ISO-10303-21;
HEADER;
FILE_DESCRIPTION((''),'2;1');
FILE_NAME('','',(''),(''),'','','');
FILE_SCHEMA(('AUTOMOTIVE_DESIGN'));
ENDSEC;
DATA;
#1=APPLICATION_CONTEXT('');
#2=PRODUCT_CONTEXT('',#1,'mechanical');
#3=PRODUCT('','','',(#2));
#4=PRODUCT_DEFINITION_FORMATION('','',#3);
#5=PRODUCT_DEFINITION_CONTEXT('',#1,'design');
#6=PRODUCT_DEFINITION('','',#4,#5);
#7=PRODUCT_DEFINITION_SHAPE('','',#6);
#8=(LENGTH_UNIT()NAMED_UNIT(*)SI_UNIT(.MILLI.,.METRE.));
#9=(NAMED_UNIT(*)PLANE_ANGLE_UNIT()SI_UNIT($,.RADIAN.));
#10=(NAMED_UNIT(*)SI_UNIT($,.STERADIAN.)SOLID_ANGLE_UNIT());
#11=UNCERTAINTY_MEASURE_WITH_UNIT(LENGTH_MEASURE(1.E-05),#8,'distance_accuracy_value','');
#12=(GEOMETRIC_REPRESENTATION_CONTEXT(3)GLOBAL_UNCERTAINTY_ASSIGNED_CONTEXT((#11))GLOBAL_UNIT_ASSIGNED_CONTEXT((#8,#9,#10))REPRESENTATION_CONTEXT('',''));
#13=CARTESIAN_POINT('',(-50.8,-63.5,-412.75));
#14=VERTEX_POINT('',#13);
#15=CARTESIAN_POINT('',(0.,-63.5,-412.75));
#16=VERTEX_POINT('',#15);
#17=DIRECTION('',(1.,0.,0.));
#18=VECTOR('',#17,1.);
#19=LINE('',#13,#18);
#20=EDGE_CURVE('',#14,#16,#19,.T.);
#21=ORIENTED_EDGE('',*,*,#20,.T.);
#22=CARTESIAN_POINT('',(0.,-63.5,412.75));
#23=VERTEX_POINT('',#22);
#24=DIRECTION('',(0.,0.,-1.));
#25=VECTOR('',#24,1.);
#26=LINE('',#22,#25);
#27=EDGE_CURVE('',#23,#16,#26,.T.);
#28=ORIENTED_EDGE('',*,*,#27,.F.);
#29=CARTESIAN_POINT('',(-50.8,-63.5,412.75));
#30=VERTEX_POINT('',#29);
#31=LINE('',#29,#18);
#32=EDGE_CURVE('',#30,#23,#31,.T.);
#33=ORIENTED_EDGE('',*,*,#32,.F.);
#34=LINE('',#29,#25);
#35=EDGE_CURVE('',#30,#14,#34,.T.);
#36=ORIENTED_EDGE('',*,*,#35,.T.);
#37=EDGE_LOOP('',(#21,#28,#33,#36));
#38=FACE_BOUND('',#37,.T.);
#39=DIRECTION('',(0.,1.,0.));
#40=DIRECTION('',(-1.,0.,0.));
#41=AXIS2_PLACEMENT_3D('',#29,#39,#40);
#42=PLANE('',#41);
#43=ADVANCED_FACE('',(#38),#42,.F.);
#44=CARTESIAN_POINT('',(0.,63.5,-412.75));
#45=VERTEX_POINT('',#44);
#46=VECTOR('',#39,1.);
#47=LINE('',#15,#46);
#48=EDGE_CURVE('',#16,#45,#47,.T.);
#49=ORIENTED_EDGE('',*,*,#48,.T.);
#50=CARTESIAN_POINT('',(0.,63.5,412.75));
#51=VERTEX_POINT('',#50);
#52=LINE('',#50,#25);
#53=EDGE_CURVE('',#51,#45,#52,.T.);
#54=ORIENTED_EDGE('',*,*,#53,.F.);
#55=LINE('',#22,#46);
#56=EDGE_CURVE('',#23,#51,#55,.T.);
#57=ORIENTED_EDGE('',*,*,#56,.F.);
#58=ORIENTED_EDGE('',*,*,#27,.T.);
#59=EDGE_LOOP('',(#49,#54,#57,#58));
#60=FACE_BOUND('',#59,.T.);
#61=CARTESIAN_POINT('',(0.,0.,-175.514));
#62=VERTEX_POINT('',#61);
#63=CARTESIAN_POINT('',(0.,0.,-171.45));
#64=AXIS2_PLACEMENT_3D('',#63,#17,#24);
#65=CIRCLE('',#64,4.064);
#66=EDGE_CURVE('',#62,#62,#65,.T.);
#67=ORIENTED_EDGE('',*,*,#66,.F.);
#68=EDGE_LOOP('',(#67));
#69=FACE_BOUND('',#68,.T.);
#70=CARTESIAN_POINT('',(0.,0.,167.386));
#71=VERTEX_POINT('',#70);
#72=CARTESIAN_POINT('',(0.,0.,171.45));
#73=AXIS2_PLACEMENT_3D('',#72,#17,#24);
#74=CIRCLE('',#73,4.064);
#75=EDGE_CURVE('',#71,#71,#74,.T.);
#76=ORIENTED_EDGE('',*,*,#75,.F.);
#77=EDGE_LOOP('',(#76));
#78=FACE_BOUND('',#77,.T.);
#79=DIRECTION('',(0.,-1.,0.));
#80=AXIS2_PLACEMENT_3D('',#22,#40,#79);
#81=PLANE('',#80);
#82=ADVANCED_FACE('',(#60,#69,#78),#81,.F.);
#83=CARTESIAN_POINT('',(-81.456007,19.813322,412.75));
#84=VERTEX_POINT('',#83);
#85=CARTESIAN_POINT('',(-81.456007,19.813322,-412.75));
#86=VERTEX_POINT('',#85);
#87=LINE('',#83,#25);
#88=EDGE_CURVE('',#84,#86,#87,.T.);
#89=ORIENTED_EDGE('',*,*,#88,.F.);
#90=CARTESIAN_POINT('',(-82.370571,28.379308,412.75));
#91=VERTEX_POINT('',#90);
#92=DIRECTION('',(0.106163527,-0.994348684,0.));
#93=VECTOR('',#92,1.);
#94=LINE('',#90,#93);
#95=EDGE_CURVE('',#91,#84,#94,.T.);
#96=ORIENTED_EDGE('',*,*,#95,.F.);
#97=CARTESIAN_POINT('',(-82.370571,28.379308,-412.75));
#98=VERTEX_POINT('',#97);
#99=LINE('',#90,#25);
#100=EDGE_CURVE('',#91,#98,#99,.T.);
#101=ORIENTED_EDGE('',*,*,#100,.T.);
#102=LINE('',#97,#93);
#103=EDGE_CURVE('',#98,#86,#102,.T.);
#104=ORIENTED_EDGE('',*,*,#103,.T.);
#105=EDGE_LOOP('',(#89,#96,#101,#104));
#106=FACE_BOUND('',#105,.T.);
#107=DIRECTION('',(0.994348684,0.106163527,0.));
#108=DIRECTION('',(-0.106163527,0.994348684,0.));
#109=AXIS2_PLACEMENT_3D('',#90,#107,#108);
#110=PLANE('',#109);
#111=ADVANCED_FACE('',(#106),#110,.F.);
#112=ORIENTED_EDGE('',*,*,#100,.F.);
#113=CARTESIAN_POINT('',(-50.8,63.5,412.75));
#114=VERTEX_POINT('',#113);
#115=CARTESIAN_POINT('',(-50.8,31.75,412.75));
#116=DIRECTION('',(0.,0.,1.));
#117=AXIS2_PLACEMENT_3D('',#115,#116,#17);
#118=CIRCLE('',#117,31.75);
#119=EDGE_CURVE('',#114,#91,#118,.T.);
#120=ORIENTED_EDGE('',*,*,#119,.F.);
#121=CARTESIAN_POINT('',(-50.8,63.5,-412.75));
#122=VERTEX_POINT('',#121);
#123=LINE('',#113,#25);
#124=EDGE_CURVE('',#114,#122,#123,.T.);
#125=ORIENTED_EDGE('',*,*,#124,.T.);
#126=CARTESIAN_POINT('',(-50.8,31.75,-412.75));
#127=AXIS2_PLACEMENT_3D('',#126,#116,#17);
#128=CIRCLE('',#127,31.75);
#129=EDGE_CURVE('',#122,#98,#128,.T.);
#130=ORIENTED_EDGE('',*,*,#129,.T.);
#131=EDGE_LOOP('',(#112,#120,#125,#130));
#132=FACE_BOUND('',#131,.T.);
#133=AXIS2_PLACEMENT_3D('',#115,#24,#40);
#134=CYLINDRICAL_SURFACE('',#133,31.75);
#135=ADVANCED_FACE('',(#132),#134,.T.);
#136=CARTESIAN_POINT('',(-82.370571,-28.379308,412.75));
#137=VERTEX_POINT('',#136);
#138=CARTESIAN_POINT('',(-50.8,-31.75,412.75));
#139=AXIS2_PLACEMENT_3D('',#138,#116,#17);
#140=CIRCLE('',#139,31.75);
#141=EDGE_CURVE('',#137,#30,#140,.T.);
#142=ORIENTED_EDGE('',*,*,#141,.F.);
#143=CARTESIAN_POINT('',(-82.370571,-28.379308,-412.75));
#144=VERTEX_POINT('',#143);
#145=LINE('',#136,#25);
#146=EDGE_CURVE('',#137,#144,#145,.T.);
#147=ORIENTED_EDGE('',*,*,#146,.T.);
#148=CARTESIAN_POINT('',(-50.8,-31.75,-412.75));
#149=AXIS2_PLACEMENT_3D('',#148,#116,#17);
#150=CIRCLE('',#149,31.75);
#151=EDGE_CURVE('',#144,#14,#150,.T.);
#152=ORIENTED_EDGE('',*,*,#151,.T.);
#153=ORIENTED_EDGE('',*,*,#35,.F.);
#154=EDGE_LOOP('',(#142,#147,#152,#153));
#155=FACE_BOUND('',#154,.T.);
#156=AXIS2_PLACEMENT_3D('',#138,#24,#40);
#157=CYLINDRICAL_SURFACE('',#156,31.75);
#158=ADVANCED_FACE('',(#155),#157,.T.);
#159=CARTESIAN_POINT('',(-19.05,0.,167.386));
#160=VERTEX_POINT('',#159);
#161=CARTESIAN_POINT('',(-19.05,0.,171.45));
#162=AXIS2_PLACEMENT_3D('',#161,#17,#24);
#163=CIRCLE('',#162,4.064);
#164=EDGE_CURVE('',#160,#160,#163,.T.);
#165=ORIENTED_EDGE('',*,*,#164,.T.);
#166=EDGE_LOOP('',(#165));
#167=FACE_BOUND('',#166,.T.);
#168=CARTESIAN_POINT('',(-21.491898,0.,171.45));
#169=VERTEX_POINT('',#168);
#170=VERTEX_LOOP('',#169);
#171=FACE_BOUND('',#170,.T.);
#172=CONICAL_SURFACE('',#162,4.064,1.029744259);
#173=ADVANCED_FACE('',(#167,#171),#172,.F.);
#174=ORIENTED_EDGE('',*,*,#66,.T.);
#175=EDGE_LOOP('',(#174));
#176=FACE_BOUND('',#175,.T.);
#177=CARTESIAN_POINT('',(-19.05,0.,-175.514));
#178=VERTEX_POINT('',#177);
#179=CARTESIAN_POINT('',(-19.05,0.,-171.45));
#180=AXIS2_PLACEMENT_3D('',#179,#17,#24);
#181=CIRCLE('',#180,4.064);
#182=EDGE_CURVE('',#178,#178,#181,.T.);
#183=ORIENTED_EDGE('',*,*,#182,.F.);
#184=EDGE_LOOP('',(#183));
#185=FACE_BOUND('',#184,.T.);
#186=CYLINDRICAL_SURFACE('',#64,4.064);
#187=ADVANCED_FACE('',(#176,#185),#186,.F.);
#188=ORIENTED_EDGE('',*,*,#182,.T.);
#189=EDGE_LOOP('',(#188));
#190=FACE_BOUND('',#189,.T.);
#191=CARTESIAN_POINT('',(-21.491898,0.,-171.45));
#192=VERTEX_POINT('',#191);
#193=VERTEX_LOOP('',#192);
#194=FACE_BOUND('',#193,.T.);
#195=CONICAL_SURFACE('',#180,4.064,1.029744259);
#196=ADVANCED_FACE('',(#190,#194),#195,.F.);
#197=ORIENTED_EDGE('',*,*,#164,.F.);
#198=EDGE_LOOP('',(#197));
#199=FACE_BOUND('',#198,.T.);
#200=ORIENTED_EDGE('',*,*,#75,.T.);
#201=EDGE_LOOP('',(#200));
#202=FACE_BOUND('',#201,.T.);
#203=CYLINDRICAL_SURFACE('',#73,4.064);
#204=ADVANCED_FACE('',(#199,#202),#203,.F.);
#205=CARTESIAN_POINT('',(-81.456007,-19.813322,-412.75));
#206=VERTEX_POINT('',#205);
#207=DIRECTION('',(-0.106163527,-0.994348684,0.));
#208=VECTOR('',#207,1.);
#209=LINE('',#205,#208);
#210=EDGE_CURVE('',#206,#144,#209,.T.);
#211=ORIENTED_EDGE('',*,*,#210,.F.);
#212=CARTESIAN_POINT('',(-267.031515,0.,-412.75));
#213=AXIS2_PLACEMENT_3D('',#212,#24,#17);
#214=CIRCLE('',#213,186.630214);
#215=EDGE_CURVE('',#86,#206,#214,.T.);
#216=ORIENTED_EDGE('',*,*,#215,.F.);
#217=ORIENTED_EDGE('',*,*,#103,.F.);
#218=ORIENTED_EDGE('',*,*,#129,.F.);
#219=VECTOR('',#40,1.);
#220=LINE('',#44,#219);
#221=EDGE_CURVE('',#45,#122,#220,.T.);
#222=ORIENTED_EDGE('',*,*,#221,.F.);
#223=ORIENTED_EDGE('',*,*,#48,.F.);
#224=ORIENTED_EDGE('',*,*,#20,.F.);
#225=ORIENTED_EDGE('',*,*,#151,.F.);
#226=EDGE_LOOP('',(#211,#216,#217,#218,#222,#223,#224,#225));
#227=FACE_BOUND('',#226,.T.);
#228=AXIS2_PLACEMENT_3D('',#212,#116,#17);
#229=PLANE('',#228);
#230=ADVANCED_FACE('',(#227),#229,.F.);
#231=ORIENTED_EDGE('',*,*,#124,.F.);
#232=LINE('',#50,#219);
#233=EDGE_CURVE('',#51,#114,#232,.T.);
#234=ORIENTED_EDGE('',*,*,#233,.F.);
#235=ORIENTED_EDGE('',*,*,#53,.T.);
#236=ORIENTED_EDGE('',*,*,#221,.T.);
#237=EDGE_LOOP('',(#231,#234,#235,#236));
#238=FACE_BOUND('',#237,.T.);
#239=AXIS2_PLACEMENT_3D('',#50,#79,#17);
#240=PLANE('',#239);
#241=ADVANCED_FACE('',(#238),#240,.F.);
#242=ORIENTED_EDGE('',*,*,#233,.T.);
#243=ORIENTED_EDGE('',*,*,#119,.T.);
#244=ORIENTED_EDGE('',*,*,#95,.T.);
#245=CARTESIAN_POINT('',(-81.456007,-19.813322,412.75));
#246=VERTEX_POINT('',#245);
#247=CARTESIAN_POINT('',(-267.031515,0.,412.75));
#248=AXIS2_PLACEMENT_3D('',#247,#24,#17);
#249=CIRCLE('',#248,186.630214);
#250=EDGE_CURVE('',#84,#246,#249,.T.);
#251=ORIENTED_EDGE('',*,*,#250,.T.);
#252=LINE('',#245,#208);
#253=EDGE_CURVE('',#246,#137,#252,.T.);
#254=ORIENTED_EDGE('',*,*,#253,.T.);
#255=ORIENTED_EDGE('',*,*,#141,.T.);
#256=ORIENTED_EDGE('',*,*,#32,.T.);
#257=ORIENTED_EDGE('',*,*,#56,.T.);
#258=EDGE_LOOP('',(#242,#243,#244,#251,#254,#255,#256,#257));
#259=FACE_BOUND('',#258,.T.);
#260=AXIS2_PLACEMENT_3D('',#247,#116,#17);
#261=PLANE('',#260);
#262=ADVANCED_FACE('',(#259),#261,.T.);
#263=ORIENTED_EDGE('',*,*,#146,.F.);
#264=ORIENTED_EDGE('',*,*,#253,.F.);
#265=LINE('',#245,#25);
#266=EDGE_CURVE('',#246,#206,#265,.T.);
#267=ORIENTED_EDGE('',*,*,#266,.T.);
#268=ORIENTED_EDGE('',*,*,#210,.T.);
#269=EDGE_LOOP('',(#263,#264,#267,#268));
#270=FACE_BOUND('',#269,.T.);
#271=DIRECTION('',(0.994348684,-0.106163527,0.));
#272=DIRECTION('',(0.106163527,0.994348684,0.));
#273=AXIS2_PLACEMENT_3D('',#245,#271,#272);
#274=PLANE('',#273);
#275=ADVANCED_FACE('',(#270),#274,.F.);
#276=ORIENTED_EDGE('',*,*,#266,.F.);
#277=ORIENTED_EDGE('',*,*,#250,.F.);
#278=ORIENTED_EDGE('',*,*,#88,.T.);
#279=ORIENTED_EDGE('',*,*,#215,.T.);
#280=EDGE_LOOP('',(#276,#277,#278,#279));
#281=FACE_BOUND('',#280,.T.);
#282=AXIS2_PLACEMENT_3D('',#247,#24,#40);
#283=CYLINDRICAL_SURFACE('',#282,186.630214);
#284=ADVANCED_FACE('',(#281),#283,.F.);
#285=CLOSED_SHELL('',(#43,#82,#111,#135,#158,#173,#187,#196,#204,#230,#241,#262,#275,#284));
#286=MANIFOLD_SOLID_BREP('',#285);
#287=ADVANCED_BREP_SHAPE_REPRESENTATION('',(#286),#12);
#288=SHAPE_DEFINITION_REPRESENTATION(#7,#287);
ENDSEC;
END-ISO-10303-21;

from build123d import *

# Parameters (mm, degrees)
EXTRUDE1_DEPTH               = 412.75
A_0_234_DIAMETER_HOLE1_D     = 8.128
A_0_234_DIAMETER_HOLE1_DEPTH = 19.05
A_0_234_DIAMETER_HOLE1_TIP   = 2.441897556


with BuildPart() as part:
    # Sketch1 → Extrude1 (new, symmetric)
    with BuildSketch(Plane.XY):
        with BuildLine():
            Line((-81.45600692, -19.8133218), (-82.370570719, -28.379308014))
            ThreePointArc((-82.370570719, -28.379308014), (-74.412305802, -52.975492096), (-50.8, -63.5))
            Line((-50.8, -63.5), (0, -63.5))
            Line((0, -63.5), (0, 63.5))
            Line((0, 63.5), (-50.8, 63.5))
            ThreePointArc((-50.8, 63.5), (-74.412305802, 52.975492096), (-82.370570719, 28.379308014))
            Line((-82.370570719, 28.379308014), (-81.45600692, 19.8133218))
            ThreePointArc((-81.45600692, 19.8133218), (-80.401300618, 0), (-81.45600692, -19.8133218))
        make_face()
    extrude(amount=EXTRUDE1_DEPTH, both=True)

    # A (0.234) Diameter Hole1
    with Locations(Plane(origin=(0, 0, 171.45), x_dir=(0, 1, 0), z_dir=(1, 0, 0))):
        with Locations((0, 0), (0, -342.9)):
            Hole(A_0_234_DIAMETER_HOLE1_D / 2, depth=A_0_234_DIAMETER_HOLE1_DEPTH)
            with Locations((0, 0, -(A_0_234_DIAMETER_HOLE1_DEPTH + A_0_234_DIAMETER_HOLE1_TIP / 2))):  # 118° drill point
                Cone(0, A_0_234_DIAMETER_HOLE1_D / 2, A_0_234_DIAMETER_HOLE1_TIP, mode=Mode.SUBTRACT)


solid = part.part
